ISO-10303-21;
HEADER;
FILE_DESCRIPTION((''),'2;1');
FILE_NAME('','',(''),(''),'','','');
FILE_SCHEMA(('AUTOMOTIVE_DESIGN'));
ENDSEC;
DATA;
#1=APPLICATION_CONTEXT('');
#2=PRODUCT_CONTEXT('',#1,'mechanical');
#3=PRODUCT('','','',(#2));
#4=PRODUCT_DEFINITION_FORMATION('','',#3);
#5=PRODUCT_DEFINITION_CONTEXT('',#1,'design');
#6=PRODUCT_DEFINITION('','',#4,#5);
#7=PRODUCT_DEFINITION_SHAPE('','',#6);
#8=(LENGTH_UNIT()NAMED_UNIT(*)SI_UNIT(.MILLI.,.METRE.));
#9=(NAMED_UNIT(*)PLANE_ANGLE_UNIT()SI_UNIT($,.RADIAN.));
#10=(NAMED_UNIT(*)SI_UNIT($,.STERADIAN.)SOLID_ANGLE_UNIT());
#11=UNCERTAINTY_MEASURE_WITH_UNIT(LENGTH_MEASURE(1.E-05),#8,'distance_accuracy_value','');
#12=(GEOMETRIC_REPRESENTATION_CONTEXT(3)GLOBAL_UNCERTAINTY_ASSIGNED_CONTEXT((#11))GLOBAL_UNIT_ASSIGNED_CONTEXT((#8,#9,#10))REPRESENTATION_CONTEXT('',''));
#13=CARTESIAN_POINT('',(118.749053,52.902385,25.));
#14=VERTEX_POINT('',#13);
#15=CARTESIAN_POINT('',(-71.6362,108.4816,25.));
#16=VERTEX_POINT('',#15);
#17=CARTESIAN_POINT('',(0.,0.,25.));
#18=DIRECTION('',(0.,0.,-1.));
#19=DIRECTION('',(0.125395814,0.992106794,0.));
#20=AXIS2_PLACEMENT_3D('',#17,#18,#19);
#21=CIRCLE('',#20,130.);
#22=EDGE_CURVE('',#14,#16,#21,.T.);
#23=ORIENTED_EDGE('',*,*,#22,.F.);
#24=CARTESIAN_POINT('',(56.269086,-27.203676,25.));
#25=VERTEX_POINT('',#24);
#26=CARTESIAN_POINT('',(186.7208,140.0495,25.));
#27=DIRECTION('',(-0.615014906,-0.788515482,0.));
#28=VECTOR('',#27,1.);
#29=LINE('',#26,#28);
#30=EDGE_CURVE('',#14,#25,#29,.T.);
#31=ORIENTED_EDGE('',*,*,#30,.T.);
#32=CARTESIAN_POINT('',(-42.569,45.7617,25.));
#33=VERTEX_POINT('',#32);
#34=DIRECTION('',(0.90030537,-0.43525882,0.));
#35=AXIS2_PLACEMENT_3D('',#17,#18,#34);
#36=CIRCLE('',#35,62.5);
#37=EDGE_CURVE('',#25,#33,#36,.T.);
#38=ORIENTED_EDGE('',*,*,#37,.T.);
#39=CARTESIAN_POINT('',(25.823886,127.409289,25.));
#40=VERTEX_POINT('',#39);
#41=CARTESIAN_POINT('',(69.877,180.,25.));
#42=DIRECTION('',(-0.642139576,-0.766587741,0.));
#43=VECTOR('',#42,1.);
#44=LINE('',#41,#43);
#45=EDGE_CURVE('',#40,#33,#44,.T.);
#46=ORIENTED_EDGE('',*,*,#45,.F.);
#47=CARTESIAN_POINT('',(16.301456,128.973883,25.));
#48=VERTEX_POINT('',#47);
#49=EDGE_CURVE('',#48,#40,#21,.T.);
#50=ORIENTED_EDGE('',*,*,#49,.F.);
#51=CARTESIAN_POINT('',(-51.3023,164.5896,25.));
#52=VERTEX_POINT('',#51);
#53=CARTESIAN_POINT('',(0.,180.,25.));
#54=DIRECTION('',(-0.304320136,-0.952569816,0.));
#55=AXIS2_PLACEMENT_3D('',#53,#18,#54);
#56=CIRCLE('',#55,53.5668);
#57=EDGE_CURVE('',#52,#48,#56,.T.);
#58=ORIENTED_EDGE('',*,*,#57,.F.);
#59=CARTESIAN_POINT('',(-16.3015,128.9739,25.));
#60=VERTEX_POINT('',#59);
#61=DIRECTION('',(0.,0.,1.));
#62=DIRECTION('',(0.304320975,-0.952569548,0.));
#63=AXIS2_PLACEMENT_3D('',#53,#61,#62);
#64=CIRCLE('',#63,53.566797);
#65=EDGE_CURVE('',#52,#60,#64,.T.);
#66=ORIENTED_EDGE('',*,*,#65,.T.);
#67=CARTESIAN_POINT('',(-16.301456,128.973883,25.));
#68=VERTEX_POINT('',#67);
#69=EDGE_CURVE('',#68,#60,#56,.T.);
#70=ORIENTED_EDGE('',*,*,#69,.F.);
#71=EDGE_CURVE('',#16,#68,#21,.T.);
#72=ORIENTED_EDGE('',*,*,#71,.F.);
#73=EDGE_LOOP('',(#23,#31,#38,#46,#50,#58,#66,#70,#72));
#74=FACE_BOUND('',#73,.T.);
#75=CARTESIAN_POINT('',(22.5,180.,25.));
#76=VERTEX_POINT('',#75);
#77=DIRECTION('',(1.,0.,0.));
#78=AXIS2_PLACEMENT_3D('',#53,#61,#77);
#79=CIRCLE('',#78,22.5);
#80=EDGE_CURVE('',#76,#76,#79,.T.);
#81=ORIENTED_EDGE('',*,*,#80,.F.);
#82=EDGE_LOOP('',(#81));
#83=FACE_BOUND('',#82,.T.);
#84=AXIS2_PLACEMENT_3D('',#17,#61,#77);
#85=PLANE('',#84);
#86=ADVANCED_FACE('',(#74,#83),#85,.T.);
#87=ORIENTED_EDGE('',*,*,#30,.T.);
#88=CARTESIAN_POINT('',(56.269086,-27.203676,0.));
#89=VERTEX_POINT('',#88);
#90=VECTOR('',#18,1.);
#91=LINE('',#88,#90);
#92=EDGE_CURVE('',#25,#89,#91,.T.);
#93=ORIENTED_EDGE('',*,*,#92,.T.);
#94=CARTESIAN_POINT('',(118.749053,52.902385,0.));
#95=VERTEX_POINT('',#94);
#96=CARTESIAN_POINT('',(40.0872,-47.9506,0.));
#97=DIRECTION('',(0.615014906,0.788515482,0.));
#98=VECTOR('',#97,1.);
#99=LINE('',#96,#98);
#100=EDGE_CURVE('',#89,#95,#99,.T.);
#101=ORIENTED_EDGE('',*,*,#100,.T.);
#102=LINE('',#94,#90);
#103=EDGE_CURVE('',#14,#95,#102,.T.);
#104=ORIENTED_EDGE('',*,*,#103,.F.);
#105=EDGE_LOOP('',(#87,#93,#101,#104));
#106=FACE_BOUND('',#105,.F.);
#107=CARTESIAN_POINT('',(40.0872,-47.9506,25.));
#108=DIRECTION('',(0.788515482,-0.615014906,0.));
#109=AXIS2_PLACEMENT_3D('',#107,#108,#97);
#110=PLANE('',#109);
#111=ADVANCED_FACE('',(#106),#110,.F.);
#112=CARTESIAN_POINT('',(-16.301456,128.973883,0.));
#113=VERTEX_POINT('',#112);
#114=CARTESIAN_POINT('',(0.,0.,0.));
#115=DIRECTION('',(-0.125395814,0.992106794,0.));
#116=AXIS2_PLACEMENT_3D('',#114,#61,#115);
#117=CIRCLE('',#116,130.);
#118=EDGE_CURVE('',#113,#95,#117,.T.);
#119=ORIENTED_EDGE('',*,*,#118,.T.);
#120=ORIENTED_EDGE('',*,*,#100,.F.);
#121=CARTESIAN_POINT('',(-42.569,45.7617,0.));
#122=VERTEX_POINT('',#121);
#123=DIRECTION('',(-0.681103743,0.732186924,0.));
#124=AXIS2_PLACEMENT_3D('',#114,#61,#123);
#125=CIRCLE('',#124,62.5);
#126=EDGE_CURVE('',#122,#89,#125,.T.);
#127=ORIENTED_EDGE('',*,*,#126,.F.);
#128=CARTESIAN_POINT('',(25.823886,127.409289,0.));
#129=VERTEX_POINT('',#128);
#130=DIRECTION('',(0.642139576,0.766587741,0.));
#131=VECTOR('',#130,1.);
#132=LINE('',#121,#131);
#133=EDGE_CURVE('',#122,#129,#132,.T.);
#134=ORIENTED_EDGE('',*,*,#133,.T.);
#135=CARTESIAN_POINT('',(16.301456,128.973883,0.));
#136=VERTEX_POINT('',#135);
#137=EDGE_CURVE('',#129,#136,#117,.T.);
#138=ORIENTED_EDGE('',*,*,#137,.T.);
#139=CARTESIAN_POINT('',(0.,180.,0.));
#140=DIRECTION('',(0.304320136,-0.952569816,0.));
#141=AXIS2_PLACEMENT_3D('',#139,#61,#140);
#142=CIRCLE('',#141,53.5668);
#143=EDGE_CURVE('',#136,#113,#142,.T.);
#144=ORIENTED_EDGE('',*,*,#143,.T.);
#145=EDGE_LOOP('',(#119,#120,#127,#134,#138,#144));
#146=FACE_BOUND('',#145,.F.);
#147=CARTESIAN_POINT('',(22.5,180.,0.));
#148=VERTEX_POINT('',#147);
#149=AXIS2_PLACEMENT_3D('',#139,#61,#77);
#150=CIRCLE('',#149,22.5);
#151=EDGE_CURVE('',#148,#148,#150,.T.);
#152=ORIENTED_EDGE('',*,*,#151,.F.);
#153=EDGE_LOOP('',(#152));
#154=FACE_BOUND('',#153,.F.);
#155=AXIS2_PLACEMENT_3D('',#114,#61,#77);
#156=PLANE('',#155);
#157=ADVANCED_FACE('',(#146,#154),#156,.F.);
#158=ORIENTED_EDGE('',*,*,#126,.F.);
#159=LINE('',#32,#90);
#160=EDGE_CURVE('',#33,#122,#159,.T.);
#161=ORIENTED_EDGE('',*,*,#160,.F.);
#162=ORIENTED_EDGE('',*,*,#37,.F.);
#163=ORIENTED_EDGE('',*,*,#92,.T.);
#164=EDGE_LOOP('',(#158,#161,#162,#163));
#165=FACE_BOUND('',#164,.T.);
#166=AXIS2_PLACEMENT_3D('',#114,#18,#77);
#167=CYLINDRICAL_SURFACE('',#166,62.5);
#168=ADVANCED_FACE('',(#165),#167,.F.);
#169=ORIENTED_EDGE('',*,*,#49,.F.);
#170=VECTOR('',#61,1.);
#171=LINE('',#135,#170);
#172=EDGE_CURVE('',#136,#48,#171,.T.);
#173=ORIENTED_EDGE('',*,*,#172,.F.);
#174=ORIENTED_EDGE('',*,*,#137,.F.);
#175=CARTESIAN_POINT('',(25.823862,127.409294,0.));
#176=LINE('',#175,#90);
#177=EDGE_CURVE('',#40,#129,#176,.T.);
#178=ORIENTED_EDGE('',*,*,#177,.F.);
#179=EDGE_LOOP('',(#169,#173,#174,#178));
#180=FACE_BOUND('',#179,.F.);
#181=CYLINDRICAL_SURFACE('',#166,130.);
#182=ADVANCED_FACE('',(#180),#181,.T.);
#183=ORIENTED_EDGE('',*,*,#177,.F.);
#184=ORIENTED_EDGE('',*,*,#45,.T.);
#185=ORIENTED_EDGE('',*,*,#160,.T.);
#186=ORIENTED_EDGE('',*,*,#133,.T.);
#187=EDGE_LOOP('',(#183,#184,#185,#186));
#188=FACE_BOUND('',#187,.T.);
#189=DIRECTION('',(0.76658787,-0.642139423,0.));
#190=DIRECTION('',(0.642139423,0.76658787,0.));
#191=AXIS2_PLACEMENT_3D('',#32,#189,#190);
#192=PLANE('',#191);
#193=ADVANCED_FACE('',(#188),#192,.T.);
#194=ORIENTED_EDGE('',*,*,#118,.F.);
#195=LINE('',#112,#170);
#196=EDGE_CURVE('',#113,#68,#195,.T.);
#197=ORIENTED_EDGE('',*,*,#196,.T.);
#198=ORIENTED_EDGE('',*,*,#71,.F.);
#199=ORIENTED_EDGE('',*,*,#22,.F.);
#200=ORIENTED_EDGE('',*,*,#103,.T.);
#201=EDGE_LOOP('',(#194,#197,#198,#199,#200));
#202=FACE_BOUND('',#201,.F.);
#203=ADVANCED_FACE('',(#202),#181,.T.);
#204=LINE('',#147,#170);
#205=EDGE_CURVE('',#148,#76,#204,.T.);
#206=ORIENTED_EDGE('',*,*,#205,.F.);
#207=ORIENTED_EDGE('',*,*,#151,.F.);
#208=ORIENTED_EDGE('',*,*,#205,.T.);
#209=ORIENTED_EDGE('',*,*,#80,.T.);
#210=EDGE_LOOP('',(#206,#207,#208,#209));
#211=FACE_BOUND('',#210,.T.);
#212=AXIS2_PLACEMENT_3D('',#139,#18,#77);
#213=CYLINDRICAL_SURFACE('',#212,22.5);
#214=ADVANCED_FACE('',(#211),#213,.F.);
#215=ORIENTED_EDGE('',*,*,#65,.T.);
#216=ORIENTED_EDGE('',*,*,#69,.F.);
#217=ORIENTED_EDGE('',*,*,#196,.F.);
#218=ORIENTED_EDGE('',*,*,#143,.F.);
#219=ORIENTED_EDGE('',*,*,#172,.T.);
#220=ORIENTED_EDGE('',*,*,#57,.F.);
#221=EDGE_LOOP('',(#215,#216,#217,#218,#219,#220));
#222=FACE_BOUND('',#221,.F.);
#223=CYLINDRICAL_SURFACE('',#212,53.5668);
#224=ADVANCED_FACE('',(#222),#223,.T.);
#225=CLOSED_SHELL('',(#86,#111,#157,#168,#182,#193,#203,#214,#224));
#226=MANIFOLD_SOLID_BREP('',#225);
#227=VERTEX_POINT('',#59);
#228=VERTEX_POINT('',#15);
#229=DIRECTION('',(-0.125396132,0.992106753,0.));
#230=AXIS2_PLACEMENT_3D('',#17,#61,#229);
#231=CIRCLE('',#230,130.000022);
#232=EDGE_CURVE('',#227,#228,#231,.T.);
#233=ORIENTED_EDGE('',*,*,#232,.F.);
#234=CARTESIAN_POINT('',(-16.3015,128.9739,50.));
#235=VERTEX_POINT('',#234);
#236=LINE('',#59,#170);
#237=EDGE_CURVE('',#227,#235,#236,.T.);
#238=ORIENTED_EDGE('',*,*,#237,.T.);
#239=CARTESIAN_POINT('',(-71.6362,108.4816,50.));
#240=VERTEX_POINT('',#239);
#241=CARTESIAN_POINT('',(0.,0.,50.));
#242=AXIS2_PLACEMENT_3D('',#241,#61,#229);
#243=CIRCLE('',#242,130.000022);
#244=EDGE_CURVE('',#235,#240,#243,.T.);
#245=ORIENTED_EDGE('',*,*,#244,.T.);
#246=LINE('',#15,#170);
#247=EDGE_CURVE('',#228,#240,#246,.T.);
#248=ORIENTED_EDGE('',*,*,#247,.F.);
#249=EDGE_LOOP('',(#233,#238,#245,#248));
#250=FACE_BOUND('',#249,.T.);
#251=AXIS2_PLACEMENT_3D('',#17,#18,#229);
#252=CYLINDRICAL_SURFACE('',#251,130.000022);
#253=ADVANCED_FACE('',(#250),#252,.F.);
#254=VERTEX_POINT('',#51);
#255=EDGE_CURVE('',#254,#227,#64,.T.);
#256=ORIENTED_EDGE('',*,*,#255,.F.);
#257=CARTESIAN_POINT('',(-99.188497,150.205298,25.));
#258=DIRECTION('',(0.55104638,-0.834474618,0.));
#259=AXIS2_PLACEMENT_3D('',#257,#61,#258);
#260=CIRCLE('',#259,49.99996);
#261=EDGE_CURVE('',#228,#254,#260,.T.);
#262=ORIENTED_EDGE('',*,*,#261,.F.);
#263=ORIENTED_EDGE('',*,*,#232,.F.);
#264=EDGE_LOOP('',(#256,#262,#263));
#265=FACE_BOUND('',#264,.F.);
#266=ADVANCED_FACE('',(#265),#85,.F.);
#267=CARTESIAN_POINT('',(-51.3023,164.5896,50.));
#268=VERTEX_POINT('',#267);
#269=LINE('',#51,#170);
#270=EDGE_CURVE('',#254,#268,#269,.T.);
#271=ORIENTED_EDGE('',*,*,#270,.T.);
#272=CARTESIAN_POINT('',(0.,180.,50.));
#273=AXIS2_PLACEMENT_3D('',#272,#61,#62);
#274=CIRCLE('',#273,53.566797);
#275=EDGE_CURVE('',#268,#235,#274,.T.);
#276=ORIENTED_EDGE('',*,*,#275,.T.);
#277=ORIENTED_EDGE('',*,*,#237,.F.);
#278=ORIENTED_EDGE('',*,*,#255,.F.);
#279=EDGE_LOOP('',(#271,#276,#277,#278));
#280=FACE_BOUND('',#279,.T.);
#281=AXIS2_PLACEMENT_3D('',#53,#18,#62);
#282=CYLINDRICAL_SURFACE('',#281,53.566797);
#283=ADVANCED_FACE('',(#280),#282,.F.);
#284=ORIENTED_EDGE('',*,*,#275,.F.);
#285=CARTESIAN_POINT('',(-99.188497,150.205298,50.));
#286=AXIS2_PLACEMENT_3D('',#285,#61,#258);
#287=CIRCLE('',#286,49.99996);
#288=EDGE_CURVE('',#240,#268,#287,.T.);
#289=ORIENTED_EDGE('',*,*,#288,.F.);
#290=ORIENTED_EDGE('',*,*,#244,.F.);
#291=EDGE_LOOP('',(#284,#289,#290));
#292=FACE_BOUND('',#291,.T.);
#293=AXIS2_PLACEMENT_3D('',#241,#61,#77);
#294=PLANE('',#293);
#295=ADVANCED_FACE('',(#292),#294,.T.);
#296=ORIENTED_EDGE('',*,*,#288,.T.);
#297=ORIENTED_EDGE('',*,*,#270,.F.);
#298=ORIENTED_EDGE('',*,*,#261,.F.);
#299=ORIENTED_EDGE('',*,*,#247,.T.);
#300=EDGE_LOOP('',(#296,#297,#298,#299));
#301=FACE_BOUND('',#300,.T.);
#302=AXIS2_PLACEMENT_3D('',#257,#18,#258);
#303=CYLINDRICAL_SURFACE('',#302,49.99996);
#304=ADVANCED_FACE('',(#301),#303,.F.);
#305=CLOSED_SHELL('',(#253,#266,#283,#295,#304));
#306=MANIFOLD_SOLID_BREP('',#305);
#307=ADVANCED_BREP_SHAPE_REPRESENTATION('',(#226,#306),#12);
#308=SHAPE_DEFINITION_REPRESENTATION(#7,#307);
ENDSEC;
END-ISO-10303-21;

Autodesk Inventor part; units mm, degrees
ref_plane "YZ Plane" through (0, 0, 0) normal (1, 0, 0) x (0, 1, 0)
ref_plane "XZ Plane" through (0, 0, 0) normal (0, 1, 0) x (-1, 0, 0)
ref_plane "XY Plane" through (0, 0, 0) normal (0, 0, 1) x (1, 0, 0)
sketch "Sketch1" plane through (0, 0, 0) normal (0, 0, 1) x (1, 0, 0)
  circle A0 centre (0, 0) radius 130
  circle A1 centre (0, 0) radius 62.5
  circle A2 centre (0, 180) radius 22.5
  circle A3 centre (0, 180) radius 53.5668
  arc A4 (-71.6362, 108.4816) -> (-51.3023, 164.5896) centre (-99.1885, 150.2053) ccw
  dimension "d0" = 260
  dimension "d1" = 125
  dimension "d2" = 45
  dimension "d4" = 180
  dimension "d5" = 100
extrude "Extrusion1" add sketch "Sketch1" along normal blind 25 contours A0 A3 | A3 A0 | A0 A3
sketch "Sketch2" plane through (0, 0, 25) normal (0, 0, 1) x (1, 0, 0)
  arc A0 (-71.6362, 108.4816) -> (-51.3023, 164.5896) centre (-99.1885, 150.2053) ccw
  arc A1 (16.3015, 128.9739) -> (-16.3015, 128.9739) centre (0, 180) ccw projected
  arc A2 (-16.3015, 128.9739) -> (16.3015, 128.9739) centre (0, 0) ccw projected
  dimension "d8" = 100
extrude "Extrusion2" add sketch "Sketch2" along normal blind 25 contours A0 A1 A2
sketch "Sketch3" plane through (0, 0, 25) normal (0, 0, 1) x (1, 0, 0)
  point P0 (0, 0)
sketch "Sketch4" plane through (0, 0, 25) normal (0, 0, 1) x (1, 0, 0)
  circle A0 centre (0, 0) radius 62.5 projected
  line L0 (-42.569, 45.7617) -> (89.7175, 203.6857)
  arc A1 (16.3015, 128.9739) -> (-51.3023, 164.5896) centre (0, 180) ccw projected
  line L1 (-42.569, 45.7617) -> (0, -2.5013)
  line L2 (0, -2.5013) -> (40.0872, -47.9506)
  line L3 (40.0872, -47.9506) -> (186.7208, 140.0495)
  line L4 (186.7208, 140.0495) -> (69.877, 180)
extrude "Extrusion3" cut sketch "Sketch4" against normal blind 25 contours A0 L3 L2 L1 | A0 L0 L4 L3
sketch "Sketch5" plane through (0, 0, 25) normal (0, 0, 1) x (1, 0, 0)
  point P0 (0, 0)
properties part number "4-5"
